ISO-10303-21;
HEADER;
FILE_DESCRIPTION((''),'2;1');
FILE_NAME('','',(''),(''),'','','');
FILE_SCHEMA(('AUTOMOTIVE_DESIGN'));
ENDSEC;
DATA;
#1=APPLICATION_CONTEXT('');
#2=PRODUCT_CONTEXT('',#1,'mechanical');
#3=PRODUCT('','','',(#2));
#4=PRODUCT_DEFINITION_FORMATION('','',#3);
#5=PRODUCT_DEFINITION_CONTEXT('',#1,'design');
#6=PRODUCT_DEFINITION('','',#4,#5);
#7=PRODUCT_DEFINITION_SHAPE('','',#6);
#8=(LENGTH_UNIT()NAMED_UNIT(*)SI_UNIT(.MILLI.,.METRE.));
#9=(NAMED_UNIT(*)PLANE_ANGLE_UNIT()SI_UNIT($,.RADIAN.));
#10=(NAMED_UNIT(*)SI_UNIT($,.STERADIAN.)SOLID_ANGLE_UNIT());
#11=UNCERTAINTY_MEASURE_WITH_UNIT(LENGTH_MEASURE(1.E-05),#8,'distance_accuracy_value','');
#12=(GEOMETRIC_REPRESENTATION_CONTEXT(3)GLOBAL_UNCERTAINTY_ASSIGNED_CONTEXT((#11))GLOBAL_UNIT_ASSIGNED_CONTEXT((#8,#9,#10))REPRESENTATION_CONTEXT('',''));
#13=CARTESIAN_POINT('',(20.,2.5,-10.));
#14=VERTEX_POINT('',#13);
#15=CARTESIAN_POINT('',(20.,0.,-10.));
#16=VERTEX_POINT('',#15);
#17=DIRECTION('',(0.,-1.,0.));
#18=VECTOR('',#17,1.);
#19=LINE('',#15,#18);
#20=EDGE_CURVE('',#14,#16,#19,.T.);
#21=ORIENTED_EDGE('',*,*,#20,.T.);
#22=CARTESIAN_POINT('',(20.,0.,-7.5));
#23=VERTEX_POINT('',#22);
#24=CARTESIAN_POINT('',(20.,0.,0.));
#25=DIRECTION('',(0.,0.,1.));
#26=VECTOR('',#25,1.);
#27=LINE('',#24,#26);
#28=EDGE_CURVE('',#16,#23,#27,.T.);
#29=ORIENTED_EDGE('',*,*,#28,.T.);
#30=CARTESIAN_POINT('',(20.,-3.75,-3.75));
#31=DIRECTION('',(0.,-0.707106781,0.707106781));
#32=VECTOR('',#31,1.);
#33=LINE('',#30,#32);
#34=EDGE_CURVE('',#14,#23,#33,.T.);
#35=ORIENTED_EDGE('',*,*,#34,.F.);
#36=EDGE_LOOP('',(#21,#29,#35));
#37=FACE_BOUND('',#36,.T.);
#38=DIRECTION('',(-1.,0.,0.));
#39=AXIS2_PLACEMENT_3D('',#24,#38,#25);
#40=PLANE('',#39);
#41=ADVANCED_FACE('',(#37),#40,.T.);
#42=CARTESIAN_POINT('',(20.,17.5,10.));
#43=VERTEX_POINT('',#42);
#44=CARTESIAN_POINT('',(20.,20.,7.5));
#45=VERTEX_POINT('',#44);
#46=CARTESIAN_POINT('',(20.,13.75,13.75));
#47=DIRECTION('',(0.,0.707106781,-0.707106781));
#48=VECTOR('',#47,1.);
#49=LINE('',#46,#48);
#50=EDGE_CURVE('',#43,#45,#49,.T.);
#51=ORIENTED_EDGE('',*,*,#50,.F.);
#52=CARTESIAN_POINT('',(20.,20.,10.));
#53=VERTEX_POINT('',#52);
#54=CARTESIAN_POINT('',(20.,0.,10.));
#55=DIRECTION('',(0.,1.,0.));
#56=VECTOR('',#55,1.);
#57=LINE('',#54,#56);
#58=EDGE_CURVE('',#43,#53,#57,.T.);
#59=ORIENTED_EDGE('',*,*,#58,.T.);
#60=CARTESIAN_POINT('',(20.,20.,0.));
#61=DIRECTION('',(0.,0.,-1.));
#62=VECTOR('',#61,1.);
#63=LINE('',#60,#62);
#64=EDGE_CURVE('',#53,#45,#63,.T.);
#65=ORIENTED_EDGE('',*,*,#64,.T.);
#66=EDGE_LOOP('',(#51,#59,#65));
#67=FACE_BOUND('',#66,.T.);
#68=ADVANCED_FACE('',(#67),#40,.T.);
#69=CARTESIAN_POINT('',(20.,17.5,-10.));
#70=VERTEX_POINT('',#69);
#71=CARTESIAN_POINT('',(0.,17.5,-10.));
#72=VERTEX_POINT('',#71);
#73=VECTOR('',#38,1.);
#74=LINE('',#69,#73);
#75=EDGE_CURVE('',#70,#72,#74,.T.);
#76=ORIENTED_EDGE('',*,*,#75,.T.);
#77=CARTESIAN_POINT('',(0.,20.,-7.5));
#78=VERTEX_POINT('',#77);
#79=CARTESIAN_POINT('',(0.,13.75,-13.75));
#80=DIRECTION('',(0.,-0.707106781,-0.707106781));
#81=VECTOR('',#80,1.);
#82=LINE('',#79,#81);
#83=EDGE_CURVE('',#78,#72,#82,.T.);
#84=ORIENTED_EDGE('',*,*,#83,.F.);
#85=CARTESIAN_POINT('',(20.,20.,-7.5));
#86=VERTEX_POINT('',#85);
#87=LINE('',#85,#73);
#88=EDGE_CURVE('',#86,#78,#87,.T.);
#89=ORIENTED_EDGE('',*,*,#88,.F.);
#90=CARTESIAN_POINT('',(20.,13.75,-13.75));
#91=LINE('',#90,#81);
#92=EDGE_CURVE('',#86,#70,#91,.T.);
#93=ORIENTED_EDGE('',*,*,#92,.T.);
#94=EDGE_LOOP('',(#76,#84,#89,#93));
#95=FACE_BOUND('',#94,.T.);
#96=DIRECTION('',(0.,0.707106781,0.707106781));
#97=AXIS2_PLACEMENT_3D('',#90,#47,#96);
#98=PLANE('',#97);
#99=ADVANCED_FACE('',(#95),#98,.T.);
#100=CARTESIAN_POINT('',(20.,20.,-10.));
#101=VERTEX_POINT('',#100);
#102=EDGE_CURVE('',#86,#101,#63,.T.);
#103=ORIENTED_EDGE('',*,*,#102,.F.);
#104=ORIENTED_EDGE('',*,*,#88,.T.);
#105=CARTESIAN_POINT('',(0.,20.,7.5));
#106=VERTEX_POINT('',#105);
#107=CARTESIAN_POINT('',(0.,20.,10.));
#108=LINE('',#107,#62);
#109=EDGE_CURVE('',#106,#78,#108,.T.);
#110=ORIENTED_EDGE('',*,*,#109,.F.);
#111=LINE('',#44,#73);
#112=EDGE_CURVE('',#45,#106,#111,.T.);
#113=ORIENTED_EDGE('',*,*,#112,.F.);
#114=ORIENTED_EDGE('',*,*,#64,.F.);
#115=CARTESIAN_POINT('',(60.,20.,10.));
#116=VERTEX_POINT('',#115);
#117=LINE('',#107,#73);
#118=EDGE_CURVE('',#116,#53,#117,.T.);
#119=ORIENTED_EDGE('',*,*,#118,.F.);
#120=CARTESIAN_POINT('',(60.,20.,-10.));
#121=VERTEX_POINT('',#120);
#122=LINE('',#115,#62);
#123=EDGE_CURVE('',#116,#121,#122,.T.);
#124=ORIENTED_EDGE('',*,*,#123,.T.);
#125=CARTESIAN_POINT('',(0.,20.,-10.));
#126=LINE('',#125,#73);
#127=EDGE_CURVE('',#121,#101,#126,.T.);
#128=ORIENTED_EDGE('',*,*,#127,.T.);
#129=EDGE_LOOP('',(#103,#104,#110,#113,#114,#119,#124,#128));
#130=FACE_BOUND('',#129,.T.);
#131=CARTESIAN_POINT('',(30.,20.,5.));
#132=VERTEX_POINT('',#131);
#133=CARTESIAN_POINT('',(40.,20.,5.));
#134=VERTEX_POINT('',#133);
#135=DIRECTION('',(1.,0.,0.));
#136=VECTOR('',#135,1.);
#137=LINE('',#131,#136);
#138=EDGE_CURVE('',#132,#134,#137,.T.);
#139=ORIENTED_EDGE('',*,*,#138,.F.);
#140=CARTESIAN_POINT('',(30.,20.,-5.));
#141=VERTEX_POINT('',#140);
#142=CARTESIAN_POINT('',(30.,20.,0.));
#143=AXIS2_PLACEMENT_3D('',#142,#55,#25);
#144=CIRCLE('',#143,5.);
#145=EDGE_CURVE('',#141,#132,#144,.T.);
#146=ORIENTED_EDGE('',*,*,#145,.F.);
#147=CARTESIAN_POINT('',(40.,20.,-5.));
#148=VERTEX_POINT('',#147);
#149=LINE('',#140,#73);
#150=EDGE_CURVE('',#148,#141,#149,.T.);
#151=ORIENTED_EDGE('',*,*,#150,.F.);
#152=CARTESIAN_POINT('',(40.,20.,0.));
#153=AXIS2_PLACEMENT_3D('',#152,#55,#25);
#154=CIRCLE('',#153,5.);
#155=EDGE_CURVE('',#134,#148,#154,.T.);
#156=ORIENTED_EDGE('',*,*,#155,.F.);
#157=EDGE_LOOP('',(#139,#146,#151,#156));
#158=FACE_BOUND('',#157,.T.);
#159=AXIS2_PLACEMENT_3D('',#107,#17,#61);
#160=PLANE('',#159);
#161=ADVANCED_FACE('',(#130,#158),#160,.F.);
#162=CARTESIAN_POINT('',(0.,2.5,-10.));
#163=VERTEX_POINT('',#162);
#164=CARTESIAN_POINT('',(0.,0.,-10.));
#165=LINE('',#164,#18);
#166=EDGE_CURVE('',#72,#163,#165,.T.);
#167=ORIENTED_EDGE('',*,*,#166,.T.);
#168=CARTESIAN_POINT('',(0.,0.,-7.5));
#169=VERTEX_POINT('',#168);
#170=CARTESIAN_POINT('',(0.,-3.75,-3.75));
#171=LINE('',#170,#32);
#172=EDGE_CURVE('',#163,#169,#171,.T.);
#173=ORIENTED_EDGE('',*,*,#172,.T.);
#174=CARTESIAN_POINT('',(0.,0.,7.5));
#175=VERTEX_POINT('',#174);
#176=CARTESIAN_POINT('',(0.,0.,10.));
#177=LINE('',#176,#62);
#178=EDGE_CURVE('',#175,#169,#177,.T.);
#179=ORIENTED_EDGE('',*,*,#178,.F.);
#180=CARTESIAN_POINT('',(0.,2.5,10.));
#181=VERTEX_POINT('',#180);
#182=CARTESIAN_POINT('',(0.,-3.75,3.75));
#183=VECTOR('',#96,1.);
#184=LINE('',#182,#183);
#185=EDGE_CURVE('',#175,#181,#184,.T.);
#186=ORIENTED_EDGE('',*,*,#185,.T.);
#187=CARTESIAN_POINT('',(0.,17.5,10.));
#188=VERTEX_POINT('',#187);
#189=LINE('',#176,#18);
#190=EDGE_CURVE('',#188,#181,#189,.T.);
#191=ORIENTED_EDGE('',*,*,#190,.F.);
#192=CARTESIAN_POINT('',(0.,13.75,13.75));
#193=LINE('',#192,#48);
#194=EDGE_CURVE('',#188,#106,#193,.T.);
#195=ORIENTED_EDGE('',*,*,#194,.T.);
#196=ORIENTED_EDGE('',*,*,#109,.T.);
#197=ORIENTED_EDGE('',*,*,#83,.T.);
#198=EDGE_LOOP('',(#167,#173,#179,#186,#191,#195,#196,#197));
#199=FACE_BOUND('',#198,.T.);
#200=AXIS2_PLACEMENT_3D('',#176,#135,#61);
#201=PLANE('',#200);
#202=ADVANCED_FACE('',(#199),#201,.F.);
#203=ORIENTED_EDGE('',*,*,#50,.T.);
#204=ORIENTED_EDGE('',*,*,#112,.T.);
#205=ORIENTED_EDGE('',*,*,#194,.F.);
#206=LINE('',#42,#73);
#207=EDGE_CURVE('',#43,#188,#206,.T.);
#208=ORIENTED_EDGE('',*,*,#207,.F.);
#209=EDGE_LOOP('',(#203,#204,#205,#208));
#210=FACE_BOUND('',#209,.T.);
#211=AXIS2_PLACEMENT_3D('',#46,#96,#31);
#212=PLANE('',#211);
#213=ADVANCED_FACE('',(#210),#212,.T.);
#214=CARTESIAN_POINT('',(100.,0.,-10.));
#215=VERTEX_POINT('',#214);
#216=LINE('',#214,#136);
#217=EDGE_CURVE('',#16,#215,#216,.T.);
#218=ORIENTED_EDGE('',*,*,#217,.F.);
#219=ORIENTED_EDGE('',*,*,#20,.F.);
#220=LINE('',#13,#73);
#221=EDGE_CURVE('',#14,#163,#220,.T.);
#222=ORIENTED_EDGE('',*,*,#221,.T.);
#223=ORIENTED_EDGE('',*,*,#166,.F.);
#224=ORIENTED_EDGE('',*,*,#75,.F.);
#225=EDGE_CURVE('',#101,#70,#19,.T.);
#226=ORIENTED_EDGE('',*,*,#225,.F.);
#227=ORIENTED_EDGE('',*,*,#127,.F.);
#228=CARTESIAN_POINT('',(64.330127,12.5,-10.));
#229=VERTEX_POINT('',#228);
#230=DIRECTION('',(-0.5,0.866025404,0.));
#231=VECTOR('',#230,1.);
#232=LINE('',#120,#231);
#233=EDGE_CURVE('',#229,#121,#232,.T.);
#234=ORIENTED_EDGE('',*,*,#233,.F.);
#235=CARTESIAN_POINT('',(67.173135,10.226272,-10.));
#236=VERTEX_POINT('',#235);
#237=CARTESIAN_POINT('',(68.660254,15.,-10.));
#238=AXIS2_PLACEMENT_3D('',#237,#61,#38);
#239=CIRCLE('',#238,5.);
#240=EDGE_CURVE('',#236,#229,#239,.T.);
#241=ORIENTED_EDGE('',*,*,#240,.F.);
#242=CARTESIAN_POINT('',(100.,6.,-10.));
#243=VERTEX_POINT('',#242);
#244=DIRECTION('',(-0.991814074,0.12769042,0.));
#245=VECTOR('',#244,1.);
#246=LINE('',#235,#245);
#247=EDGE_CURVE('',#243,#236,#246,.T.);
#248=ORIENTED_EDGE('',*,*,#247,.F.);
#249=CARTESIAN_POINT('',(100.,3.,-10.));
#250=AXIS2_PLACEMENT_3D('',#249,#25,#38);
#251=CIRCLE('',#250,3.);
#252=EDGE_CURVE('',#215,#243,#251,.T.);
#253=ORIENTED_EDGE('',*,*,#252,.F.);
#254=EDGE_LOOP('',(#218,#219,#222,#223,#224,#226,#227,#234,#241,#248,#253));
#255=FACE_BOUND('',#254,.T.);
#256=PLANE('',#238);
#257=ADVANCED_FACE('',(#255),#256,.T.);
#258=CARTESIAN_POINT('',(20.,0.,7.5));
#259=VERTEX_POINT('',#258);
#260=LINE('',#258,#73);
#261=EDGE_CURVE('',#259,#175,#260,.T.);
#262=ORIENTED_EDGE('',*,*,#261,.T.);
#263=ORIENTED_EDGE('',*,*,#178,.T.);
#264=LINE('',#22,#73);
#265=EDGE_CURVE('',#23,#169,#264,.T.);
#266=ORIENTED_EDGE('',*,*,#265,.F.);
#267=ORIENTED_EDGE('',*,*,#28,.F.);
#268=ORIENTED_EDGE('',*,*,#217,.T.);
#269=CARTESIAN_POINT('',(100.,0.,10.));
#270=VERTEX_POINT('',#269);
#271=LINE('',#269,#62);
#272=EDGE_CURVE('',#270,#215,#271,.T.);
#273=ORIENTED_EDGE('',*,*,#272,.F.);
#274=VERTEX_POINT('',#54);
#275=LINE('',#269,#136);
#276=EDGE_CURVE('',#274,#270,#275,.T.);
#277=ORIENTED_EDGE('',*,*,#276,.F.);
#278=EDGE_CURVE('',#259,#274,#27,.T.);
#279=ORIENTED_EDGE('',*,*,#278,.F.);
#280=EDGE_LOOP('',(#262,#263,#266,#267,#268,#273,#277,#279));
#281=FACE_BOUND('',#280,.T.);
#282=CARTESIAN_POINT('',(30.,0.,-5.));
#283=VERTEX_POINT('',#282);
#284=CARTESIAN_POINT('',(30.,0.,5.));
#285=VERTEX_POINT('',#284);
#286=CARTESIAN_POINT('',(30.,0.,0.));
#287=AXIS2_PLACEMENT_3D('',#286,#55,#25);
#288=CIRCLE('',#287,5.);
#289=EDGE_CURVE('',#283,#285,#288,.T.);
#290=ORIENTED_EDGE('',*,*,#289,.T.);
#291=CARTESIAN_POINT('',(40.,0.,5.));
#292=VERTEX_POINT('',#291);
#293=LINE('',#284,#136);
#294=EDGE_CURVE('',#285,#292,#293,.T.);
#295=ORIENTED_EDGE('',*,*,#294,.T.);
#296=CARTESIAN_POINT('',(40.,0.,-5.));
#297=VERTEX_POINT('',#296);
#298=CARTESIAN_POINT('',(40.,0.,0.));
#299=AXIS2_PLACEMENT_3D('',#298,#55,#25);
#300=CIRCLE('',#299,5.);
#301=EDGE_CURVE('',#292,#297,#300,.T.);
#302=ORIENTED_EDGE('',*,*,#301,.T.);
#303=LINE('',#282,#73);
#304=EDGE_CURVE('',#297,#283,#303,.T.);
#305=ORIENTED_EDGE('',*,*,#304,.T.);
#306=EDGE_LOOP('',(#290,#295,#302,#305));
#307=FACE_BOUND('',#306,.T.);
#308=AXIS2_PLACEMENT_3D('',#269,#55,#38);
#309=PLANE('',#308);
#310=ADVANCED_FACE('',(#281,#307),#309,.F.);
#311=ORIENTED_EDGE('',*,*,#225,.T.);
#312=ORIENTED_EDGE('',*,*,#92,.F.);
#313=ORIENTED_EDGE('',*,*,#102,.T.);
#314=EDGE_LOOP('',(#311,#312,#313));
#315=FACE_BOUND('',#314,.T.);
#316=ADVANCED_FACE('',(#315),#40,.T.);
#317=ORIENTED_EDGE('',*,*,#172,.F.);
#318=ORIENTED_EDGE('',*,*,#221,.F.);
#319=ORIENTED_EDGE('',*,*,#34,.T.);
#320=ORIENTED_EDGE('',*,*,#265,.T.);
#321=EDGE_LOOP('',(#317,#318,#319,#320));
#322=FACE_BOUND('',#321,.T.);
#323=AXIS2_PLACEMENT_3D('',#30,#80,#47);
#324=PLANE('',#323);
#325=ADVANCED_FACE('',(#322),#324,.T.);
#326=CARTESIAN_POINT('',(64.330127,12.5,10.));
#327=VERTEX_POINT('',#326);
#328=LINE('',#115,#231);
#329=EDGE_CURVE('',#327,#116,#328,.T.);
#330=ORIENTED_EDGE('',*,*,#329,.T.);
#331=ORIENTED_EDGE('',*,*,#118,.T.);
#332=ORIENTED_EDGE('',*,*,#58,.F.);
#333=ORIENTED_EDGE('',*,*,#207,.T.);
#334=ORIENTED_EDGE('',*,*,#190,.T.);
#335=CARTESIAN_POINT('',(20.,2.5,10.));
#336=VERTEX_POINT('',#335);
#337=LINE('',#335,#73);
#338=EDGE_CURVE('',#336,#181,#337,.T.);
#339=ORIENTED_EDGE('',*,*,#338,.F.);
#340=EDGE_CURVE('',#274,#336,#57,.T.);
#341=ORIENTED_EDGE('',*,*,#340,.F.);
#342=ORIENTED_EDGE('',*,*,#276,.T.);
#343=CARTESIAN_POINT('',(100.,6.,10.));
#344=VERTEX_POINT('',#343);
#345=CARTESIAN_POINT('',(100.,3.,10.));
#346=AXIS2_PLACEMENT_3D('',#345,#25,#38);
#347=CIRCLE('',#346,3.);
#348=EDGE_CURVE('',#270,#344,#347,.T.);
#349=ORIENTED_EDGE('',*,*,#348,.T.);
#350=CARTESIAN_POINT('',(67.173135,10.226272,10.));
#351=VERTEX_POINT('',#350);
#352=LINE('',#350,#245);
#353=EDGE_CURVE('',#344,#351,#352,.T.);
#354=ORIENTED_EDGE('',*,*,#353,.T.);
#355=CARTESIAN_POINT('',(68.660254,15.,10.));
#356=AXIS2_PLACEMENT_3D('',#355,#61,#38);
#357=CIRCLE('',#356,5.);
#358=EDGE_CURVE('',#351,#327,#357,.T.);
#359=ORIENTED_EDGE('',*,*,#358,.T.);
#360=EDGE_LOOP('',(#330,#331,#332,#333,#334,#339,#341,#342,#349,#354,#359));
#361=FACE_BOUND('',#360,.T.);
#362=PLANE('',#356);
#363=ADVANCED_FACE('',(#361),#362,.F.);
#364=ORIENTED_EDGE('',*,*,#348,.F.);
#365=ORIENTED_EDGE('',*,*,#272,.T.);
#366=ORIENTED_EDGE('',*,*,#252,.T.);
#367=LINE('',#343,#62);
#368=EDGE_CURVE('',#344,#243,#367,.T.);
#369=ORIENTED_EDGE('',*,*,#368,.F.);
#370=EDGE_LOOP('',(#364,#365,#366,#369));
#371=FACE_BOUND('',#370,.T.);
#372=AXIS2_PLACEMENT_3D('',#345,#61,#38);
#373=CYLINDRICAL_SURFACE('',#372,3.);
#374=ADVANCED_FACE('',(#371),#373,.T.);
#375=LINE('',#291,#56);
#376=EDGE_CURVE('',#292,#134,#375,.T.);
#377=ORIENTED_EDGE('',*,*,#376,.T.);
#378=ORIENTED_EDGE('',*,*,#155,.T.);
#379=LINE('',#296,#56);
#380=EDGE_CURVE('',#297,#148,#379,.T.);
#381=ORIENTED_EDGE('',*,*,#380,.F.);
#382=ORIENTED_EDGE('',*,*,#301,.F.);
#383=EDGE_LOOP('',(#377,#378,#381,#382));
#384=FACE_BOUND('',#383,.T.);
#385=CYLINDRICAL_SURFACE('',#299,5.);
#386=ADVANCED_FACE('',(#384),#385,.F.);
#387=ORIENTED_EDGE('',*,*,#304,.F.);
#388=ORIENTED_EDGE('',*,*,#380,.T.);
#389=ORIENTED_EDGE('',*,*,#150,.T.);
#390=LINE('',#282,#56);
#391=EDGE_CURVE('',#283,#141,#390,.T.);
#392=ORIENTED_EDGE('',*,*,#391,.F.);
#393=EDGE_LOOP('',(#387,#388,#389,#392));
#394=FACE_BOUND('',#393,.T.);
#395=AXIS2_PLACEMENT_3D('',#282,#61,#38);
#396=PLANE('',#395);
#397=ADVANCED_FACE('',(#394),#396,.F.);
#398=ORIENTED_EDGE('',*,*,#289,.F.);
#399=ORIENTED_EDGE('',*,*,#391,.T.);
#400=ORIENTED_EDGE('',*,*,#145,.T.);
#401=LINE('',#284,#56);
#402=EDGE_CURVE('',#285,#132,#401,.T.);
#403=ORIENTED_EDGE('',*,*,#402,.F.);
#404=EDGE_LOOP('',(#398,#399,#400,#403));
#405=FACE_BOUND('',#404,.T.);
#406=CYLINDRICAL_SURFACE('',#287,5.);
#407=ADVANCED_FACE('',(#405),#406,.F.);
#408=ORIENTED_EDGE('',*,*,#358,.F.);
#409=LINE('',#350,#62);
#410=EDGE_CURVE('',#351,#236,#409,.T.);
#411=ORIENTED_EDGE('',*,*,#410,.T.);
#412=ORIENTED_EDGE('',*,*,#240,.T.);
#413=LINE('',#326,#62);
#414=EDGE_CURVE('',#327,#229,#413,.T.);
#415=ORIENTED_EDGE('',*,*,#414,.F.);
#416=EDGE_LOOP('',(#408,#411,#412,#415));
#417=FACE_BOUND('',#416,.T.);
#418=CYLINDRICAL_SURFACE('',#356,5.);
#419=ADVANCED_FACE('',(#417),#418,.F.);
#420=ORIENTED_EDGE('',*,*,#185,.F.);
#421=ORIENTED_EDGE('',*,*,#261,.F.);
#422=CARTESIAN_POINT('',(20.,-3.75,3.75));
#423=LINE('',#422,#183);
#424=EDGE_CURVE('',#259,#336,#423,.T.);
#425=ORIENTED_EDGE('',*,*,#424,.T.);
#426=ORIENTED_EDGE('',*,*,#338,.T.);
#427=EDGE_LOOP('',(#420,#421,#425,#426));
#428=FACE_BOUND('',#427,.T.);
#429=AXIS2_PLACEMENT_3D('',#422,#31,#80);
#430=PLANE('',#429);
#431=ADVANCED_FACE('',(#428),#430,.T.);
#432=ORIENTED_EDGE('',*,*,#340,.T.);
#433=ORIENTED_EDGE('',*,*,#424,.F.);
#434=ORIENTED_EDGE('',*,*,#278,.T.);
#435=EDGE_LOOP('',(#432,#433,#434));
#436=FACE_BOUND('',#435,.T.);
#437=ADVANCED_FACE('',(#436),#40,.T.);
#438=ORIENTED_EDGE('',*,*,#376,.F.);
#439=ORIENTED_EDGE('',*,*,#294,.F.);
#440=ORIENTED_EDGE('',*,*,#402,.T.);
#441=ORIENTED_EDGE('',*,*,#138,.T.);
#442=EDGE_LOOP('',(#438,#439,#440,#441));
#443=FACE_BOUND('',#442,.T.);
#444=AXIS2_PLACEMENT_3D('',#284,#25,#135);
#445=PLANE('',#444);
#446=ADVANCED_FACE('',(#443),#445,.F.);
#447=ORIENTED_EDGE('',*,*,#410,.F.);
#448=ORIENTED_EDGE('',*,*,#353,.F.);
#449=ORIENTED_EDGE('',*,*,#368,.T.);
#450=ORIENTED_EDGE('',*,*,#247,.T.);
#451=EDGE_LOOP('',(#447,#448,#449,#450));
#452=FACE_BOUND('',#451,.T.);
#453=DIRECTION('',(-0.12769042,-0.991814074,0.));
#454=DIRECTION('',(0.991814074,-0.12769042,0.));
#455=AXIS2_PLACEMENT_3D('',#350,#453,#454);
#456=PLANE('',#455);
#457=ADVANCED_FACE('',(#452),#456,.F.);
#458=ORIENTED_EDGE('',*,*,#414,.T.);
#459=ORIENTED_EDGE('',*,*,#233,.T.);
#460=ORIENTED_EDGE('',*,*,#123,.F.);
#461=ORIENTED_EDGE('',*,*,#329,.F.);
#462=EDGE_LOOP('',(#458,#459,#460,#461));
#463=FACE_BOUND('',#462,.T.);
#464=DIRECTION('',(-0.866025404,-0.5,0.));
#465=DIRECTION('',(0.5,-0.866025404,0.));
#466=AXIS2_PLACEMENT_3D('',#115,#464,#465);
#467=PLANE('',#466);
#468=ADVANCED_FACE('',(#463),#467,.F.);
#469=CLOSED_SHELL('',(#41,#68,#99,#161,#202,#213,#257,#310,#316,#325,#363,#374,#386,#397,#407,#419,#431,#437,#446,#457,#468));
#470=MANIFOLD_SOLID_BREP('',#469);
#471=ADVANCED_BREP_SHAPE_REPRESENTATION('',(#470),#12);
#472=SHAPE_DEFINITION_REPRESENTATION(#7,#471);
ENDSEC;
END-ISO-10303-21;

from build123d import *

# Parameters (mm, degrees)
EXTRUDE_1_DEPTH     = 10
CUT_EXTRUDE_1_DEPTH = 106.399240984
CUT_EXTRUDE_2_DEPTH = 20


with BuildPart() as part:
    # 草图1 → 凸台-拉伸1 (new, symmetric)
    with BuildSketch(Plane.XY):
        with BuildLine():
            Line((0, 0), (0, 20))
            Line((0, 20), (60, 20))
            Line((60, 20), (64.330127019, 12.5))
            ThreePointArc((64.330127019, 12.5), (65.537347332, 11.095201195), (67.173135447, 10.226272076))
            Line((67.173135447, 10.226272076), (100, 6))
            ThreePointArc((100, 6), (103, 3), (100, 0))
            Line((100, 0), (0, 0))
        make_face()
    extrude(amount=EXTRUDE_1_DEPTH, both=True)

    # 草图2 → 切除-拉伸1 (cut, through all)
    with BuildSketch(Plane(origin=(0, 20, 0), x_dir=(1, 0, 0), z_dir=(0, 1, 0))):
        with BuildLine():
            Line((30, 5), (40, 5))
            ThreePointArc((40, 5), (45, 0), (40, -5))
            Line((40, -5), (30, -5))
            ThreePointArc((30, -5), (25, 0), (30, 5))
        make_face()
    extrude(amount=-CUT_EXTRUDE_1_DEPTH, mode=Mode.SUBTRACT)

    # 草图3 → 切除-拉伸2 (cut)
    with BuildSketch(Plane.ZY):
        Polygon((-10, 17.5), (-7.5, 20), (-10, 20), align=None)
        Polygon((10, 20), (7.5, 20), (10, 17.5), align=None)
        Polygon((10, 0), (10, 2.5), (7.5, 0), align=None)
        Polygon((-7.5, 0), (-10, 2.5), (-10, 0), align=None)
    extrude(amount=-CUT_EXTRUDE_2_DEPTH, mode=Mode.SUBTRACT)


solid = part.part
